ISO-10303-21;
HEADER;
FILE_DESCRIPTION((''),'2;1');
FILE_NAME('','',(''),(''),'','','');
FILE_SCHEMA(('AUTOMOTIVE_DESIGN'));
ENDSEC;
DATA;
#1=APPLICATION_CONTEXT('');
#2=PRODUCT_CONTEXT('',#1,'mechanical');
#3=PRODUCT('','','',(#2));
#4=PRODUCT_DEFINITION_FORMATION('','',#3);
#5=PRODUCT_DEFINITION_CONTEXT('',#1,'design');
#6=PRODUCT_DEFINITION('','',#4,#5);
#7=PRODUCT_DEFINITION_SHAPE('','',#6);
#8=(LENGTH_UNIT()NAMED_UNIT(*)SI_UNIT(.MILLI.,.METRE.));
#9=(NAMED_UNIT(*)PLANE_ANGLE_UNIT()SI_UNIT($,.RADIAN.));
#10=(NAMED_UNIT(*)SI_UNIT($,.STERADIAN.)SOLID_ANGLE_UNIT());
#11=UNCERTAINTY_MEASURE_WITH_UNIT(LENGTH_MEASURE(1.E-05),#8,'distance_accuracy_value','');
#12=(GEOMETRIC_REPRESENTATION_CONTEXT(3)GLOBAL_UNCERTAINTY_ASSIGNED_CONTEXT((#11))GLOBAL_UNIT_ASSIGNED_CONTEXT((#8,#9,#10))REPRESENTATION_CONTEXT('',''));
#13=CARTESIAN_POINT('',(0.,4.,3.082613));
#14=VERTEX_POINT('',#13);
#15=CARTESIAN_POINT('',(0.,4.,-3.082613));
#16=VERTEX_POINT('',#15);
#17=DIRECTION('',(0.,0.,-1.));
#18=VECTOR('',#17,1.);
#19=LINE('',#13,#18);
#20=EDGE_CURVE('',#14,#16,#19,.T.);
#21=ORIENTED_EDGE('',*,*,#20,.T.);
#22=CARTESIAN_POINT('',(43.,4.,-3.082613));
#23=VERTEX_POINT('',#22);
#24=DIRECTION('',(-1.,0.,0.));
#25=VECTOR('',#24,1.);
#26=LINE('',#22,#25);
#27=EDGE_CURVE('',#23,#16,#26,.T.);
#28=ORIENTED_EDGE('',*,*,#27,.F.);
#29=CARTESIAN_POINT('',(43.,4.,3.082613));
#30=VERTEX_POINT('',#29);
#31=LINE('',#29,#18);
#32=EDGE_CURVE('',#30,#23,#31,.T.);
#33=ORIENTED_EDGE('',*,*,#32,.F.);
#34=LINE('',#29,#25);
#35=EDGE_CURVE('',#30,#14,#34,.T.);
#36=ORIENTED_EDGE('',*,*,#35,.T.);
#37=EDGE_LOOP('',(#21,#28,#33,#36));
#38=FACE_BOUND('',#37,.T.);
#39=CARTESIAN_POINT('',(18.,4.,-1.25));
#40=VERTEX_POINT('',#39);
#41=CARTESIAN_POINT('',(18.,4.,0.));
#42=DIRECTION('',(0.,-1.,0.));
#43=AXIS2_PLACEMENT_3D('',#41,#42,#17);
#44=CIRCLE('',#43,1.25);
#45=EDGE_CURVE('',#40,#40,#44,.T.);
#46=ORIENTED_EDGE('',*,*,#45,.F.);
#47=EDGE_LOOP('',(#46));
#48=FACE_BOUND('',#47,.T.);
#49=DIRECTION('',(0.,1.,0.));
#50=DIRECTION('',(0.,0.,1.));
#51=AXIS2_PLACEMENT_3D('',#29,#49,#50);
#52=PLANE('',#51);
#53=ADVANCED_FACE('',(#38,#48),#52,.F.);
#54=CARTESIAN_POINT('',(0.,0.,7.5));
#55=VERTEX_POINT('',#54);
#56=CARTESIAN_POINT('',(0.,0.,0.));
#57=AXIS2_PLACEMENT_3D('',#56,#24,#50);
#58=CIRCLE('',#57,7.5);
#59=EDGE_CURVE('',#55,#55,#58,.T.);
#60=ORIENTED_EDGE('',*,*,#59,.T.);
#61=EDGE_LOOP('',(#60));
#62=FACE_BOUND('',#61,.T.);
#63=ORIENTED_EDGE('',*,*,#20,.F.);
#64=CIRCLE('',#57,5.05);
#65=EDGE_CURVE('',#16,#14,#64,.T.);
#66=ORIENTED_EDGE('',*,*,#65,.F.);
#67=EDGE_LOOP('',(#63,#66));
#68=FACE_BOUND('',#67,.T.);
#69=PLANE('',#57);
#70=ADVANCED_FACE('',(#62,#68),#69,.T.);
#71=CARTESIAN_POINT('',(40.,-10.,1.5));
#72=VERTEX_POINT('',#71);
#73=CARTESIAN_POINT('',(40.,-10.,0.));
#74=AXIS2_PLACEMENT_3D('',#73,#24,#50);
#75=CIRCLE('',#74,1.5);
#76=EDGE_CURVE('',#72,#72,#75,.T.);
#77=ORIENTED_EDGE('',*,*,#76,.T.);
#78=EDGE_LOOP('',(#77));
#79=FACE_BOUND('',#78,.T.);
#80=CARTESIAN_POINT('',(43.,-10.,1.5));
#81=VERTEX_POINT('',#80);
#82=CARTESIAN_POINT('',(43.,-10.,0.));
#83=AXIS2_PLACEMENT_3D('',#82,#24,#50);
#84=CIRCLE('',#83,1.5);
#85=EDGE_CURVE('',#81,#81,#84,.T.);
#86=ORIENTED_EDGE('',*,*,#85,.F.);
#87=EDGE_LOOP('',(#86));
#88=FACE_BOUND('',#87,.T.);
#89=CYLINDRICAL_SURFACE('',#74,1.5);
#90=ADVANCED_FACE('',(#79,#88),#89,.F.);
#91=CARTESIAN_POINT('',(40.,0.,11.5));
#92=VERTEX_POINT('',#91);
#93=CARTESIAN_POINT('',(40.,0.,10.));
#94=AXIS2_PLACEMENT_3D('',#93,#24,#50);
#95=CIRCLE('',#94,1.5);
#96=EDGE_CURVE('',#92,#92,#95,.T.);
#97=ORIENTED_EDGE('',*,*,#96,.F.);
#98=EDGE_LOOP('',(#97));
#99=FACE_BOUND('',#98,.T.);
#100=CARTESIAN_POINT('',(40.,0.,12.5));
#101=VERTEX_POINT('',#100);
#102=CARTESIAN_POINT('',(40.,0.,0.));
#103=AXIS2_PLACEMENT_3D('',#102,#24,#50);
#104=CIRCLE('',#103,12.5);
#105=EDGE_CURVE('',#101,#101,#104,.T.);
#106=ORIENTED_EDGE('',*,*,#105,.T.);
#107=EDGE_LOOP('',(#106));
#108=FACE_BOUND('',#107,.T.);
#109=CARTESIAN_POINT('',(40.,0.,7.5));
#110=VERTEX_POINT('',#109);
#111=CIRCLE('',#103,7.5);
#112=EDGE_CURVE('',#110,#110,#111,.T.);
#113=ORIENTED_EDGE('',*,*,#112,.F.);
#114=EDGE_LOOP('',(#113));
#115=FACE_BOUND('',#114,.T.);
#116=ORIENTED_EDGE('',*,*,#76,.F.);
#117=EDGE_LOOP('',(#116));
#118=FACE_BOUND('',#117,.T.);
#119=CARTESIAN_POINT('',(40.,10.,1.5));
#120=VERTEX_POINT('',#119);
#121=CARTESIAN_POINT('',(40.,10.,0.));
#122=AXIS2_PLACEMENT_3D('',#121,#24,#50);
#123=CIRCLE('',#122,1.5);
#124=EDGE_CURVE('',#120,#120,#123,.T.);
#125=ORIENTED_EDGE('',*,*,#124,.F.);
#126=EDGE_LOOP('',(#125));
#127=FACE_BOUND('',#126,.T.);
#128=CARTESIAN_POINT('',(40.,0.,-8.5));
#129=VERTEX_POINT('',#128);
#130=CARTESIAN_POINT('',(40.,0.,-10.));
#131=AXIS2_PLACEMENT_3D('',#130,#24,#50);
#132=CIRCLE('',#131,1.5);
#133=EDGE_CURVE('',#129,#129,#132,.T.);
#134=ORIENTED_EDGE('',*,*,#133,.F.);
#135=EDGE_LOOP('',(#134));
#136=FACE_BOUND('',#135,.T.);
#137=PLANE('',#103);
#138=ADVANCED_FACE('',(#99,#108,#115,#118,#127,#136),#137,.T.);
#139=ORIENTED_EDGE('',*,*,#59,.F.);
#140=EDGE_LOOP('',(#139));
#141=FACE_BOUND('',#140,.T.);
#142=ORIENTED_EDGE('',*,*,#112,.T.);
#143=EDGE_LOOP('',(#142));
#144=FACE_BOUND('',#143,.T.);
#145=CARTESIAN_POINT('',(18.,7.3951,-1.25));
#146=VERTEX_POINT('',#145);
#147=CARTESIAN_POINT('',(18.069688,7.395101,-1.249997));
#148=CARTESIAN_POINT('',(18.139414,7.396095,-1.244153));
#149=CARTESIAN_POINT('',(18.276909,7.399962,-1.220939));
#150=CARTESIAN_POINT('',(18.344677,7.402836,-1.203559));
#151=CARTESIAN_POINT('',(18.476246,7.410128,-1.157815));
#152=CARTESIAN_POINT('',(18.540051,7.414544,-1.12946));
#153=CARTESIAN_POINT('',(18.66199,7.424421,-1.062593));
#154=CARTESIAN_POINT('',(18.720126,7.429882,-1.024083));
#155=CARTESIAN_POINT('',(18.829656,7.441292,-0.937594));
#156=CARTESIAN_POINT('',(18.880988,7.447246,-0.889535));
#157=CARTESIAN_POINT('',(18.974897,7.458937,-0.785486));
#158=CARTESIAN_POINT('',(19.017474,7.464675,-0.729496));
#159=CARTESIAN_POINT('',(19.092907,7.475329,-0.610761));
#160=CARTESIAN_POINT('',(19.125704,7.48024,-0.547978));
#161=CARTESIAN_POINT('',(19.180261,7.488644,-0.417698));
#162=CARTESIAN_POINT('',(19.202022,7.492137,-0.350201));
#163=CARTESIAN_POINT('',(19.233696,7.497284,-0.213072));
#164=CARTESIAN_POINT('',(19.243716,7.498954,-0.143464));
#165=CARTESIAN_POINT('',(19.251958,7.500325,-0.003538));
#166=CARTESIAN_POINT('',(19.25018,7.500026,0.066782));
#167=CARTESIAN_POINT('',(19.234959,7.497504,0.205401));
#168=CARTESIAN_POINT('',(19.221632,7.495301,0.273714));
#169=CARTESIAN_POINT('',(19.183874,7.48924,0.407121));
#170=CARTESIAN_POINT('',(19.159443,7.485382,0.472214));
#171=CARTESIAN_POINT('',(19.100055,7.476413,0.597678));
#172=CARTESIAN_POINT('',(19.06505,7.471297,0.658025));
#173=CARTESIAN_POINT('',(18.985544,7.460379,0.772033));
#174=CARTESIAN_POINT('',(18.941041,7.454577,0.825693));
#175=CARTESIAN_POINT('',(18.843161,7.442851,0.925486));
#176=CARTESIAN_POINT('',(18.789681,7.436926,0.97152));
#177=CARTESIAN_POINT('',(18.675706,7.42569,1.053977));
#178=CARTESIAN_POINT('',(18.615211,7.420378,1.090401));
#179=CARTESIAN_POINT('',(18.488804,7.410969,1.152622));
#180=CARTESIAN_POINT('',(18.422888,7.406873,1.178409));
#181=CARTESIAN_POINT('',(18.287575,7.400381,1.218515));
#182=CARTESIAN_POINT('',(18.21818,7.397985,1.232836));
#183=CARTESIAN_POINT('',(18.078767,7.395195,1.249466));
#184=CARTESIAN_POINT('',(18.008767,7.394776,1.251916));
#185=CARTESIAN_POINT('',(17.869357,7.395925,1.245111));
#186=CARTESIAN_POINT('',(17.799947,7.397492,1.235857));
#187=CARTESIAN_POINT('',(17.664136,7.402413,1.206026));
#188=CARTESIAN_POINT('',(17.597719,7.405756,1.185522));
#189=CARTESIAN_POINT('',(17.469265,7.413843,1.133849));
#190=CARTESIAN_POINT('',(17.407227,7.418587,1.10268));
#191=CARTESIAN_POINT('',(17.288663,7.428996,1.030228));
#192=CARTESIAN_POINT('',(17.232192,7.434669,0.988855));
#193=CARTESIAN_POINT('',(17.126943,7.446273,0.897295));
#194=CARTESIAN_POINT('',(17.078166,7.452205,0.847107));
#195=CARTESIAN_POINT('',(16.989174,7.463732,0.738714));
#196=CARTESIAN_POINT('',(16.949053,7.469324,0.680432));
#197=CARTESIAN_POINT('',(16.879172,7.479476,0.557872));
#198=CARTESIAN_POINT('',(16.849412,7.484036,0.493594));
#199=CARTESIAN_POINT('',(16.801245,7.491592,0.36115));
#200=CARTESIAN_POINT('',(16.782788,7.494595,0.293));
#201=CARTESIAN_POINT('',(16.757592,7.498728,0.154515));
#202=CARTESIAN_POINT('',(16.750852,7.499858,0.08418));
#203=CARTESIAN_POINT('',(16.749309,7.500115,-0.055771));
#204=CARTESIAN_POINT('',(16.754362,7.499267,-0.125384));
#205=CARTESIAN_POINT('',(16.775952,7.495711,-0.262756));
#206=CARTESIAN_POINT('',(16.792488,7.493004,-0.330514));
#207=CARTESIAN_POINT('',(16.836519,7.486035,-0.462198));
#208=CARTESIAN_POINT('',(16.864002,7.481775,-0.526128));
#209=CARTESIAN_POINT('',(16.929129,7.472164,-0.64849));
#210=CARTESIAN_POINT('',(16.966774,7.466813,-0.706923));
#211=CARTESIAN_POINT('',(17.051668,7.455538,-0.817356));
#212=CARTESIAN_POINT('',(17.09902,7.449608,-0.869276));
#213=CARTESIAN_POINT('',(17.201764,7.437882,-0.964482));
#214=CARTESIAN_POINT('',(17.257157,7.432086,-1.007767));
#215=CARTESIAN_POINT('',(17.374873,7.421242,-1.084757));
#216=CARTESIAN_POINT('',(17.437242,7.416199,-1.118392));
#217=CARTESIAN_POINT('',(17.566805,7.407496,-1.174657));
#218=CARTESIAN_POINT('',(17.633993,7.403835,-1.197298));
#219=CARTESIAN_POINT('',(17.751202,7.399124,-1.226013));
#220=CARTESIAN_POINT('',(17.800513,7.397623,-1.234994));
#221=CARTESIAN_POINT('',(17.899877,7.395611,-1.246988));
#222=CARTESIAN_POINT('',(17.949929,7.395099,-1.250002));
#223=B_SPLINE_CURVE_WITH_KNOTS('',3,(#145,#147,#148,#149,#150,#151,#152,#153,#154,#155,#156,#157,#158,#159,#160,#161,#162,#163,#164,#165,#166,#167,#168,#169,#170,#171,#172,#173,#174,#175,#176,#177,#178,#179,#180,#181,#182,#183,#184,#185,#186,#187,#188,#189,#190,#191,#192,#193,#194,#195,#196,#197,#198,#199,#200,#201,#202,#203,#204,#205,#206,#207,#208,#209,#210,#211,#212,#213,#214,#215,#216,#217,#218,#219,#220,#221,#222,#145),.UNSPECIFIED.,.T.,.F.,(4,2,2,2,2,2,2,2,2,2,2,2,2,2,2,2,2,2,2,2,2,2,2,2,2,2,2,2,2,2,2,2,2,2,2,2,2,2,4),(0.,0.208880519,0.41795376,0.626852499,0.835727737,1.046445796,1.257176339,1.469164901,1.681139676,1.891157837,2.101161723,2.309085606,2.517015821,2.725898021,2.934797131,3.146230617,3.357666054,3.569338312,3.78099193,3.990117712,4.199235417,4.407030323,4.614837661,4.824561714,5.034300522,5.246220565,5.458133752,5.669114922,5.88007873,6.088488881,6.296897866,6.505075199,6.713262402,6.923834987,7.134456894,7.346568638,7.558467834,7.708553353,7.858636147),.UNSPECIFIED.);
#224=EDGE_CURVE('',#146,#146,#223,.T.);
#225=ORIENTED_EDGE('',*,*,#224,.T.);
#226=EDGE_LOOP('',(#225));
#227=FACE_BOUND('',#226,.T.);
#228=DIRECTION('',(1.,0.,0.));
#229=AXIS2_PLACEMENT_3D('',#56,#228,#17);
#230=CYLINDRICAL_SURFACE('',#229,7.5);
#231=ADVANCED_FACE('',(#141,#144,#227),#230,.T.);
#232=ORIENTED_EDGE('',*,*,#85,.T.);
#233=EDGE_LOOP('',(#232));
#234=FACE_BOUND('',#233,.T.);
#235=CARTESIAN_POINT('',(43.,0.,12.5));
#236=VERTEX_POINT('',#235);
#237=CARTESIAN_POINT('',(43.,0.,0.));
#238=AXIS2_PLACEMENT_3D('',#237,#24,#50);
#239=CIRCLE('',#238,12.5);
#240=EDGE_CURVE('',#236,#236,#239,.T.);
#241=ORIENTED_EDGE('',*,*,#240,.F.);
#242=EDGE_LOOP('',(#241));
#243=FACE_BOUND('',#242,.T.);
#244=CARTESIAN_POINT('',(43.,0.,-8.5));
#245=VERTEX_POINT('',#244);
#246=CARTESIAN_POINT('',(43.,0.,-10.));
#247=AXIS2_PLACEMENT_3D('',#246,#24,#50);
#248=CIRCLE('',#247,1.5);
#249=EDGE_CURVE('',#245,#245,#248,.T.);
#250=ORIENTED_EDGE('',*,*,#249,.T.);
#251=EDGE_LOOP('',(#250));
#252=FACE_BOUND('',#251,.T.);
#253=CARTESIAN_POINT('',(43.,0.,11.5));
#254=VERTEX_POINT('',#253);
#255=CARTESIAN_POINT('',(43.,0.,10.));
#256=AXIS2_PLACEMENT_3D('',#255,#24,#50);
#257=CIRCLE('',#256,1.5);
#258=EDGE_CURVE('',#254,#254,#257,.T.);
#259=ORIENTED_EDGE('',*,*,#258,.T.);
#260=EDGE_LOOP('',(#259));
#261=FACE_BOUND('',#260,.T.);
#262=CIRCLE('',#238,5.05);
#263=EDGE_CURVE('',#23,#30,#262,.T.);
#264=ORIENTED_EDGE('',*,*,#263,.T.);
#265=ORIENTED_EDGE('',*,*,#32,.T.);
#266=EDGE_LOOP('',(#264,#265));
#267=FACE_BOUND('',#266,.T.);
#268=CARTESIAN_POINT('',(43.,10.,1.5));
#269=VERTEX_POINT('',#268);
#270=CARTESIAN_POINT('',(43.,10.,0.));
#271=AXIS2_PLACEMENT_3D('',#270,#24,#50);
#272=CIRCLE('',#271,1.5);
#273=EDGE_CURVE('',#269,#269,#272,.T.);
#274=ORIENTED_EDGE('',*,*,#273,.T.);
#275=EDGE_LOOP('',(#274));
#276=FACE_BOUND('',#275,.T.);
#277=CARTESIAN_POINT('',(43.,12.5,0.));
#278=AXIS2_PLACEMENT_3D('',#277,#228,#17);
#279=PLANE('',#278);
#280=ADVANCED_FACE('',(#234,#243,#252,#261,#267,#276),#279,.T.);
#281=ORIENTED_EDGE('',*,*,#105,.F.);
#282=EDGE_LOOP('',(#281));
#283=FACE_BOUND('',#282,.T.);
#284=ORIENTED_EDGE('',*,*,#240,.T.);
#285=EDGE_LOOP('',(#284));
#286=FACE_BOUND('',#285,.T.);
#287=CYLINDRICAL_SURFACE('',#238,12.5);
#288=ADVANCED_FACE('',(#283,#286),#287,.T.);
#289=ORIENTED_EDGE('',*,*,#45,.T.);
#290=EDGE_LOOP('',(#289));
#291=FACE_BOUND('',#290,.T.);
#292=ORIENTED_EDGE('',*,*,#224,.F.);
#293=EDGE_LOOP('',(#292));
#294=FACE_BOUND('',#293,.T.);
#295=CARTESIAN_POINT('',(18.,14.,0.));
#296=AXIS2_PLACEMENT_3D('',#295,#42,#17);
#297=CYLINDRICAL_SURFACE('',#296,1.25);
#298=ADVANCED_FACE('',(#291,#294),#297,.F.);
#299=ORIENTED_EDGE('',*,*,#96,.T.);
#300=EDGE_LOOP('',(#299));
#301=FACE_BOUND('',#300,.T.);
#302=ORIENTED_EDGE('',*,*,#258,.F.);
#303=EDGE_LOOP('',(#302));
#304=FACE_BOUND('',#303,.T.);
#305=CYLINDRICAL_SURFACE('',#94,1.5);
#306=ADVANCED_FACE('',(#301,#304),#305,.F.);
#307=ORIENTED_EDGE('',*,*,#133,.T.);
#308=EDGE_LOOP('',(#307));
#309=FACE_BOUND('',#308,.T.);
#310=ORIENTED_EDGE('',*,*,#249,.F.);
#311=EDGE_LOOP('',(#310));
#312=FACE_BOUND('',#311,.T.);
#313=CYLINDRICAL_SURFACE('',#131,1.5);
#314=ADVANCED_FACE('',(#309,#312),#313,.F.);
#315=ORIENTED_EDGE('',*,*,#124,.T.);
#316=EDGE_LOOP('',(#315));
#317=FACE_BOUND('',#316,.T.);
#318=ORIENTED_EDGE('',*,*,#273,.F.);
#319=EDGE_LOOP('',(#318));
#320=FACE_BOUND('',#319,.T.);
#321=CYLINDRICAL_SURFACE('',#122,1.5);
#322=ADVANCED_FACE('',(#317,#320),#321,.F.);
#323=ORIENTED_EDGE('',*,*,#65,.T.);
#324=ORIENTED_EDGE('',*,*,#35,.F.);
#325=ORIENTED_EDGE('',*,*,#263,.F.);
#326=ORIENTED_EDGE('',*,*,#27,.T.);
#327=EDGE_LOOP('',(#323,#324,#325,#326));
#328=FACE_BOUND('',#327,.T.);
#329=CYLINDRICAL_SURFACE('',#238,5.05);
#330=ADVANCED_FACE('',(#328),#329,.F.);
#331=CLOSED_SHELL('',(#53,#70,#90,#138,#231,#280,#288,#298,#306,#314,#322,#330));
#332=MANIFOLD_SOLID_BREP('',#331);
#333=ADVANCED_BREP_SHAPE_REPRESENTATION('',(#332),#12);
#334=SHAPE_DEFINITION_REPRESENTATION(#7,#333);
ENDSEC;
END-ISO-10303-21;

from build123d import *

# Parameters (mm, degrees)
SKETCH_1_W            = 3
SKETCH_1_H            = 12.5
SKETCH_2_R            = 7.5
EXTRUDE_1_DEPTH       = 40
CUT_EXTRUDE_1_DEPTH   = 47.491934784
HOLE_WIZARD_3_0_3_3_D = 3
SKETCH_9_R            = 1.25
CUT_EXTRUDE_2_DEPTH   = 10


with BuildPart() as part:
    # 草图1 → 旋转1 (revolve)
    with BuildSketch(Plane(origin=(0, 0, 0), x_dir=(-1, 0, 0), z_dir=(0, 0, -1)), mode=Mode.PRIVATE) as revolve_1_sk:
        with Locations((-41.5, 6.25)):
            Rectangle(SKETCH_1_W, SKETCH_1_H)
    revolve(revolve_1_sk.sketch.rotate(Axis((43, 0, 0), (-1, 0, 0)), 270), axis=Axis((43, 0, 0), (-1, 0, 0)))

    # 草图2 → 凸台-拉伸1 (add)
    with BuildSketch(Plane.ZY.offset(-40)):
        Circle(SKETCH_2_R)
    extrude(amount=EXTRUDE_1_DEPTH)

    # 草图3 → 切除-拉伸1 (cut, through all)
    with BuildSketch(Plane.ZY):
        with BuildLine():
            Line((3.082612528, 4), (-3.082612528, 4))
            ThreePointArc((-3.082612528, 4), (0, -5.05), (3.082612528, 4))
        make_face()
    extrude(amount=-CUT_EXTRUDE_1_DEPTH, mode=Mode.SUBTRACT)

    # Ø3.0 (3) 直径孔3 (through all)
    with Locations(Plane.ZY.offset(-40)):
        with Locations((10, 0), (0, -10), (-10, 0), (0, 10)):
            Hole(HOLE_WIZARD_3_0_3_3_D / 2)

    # 草图9 → 切除-拉伸2 (cut)
    with BuildSketch(Plane.XZ.offset(-4)):
        with Locations(Location((18, 0, 0), (0, 0, 270))):
            Circle(SKETCH_9_R)
    extrude(amount=-CUT_EXTRUDE_2_DEPTH, mode=Mode.SUBTRACT)


solid = part.part
